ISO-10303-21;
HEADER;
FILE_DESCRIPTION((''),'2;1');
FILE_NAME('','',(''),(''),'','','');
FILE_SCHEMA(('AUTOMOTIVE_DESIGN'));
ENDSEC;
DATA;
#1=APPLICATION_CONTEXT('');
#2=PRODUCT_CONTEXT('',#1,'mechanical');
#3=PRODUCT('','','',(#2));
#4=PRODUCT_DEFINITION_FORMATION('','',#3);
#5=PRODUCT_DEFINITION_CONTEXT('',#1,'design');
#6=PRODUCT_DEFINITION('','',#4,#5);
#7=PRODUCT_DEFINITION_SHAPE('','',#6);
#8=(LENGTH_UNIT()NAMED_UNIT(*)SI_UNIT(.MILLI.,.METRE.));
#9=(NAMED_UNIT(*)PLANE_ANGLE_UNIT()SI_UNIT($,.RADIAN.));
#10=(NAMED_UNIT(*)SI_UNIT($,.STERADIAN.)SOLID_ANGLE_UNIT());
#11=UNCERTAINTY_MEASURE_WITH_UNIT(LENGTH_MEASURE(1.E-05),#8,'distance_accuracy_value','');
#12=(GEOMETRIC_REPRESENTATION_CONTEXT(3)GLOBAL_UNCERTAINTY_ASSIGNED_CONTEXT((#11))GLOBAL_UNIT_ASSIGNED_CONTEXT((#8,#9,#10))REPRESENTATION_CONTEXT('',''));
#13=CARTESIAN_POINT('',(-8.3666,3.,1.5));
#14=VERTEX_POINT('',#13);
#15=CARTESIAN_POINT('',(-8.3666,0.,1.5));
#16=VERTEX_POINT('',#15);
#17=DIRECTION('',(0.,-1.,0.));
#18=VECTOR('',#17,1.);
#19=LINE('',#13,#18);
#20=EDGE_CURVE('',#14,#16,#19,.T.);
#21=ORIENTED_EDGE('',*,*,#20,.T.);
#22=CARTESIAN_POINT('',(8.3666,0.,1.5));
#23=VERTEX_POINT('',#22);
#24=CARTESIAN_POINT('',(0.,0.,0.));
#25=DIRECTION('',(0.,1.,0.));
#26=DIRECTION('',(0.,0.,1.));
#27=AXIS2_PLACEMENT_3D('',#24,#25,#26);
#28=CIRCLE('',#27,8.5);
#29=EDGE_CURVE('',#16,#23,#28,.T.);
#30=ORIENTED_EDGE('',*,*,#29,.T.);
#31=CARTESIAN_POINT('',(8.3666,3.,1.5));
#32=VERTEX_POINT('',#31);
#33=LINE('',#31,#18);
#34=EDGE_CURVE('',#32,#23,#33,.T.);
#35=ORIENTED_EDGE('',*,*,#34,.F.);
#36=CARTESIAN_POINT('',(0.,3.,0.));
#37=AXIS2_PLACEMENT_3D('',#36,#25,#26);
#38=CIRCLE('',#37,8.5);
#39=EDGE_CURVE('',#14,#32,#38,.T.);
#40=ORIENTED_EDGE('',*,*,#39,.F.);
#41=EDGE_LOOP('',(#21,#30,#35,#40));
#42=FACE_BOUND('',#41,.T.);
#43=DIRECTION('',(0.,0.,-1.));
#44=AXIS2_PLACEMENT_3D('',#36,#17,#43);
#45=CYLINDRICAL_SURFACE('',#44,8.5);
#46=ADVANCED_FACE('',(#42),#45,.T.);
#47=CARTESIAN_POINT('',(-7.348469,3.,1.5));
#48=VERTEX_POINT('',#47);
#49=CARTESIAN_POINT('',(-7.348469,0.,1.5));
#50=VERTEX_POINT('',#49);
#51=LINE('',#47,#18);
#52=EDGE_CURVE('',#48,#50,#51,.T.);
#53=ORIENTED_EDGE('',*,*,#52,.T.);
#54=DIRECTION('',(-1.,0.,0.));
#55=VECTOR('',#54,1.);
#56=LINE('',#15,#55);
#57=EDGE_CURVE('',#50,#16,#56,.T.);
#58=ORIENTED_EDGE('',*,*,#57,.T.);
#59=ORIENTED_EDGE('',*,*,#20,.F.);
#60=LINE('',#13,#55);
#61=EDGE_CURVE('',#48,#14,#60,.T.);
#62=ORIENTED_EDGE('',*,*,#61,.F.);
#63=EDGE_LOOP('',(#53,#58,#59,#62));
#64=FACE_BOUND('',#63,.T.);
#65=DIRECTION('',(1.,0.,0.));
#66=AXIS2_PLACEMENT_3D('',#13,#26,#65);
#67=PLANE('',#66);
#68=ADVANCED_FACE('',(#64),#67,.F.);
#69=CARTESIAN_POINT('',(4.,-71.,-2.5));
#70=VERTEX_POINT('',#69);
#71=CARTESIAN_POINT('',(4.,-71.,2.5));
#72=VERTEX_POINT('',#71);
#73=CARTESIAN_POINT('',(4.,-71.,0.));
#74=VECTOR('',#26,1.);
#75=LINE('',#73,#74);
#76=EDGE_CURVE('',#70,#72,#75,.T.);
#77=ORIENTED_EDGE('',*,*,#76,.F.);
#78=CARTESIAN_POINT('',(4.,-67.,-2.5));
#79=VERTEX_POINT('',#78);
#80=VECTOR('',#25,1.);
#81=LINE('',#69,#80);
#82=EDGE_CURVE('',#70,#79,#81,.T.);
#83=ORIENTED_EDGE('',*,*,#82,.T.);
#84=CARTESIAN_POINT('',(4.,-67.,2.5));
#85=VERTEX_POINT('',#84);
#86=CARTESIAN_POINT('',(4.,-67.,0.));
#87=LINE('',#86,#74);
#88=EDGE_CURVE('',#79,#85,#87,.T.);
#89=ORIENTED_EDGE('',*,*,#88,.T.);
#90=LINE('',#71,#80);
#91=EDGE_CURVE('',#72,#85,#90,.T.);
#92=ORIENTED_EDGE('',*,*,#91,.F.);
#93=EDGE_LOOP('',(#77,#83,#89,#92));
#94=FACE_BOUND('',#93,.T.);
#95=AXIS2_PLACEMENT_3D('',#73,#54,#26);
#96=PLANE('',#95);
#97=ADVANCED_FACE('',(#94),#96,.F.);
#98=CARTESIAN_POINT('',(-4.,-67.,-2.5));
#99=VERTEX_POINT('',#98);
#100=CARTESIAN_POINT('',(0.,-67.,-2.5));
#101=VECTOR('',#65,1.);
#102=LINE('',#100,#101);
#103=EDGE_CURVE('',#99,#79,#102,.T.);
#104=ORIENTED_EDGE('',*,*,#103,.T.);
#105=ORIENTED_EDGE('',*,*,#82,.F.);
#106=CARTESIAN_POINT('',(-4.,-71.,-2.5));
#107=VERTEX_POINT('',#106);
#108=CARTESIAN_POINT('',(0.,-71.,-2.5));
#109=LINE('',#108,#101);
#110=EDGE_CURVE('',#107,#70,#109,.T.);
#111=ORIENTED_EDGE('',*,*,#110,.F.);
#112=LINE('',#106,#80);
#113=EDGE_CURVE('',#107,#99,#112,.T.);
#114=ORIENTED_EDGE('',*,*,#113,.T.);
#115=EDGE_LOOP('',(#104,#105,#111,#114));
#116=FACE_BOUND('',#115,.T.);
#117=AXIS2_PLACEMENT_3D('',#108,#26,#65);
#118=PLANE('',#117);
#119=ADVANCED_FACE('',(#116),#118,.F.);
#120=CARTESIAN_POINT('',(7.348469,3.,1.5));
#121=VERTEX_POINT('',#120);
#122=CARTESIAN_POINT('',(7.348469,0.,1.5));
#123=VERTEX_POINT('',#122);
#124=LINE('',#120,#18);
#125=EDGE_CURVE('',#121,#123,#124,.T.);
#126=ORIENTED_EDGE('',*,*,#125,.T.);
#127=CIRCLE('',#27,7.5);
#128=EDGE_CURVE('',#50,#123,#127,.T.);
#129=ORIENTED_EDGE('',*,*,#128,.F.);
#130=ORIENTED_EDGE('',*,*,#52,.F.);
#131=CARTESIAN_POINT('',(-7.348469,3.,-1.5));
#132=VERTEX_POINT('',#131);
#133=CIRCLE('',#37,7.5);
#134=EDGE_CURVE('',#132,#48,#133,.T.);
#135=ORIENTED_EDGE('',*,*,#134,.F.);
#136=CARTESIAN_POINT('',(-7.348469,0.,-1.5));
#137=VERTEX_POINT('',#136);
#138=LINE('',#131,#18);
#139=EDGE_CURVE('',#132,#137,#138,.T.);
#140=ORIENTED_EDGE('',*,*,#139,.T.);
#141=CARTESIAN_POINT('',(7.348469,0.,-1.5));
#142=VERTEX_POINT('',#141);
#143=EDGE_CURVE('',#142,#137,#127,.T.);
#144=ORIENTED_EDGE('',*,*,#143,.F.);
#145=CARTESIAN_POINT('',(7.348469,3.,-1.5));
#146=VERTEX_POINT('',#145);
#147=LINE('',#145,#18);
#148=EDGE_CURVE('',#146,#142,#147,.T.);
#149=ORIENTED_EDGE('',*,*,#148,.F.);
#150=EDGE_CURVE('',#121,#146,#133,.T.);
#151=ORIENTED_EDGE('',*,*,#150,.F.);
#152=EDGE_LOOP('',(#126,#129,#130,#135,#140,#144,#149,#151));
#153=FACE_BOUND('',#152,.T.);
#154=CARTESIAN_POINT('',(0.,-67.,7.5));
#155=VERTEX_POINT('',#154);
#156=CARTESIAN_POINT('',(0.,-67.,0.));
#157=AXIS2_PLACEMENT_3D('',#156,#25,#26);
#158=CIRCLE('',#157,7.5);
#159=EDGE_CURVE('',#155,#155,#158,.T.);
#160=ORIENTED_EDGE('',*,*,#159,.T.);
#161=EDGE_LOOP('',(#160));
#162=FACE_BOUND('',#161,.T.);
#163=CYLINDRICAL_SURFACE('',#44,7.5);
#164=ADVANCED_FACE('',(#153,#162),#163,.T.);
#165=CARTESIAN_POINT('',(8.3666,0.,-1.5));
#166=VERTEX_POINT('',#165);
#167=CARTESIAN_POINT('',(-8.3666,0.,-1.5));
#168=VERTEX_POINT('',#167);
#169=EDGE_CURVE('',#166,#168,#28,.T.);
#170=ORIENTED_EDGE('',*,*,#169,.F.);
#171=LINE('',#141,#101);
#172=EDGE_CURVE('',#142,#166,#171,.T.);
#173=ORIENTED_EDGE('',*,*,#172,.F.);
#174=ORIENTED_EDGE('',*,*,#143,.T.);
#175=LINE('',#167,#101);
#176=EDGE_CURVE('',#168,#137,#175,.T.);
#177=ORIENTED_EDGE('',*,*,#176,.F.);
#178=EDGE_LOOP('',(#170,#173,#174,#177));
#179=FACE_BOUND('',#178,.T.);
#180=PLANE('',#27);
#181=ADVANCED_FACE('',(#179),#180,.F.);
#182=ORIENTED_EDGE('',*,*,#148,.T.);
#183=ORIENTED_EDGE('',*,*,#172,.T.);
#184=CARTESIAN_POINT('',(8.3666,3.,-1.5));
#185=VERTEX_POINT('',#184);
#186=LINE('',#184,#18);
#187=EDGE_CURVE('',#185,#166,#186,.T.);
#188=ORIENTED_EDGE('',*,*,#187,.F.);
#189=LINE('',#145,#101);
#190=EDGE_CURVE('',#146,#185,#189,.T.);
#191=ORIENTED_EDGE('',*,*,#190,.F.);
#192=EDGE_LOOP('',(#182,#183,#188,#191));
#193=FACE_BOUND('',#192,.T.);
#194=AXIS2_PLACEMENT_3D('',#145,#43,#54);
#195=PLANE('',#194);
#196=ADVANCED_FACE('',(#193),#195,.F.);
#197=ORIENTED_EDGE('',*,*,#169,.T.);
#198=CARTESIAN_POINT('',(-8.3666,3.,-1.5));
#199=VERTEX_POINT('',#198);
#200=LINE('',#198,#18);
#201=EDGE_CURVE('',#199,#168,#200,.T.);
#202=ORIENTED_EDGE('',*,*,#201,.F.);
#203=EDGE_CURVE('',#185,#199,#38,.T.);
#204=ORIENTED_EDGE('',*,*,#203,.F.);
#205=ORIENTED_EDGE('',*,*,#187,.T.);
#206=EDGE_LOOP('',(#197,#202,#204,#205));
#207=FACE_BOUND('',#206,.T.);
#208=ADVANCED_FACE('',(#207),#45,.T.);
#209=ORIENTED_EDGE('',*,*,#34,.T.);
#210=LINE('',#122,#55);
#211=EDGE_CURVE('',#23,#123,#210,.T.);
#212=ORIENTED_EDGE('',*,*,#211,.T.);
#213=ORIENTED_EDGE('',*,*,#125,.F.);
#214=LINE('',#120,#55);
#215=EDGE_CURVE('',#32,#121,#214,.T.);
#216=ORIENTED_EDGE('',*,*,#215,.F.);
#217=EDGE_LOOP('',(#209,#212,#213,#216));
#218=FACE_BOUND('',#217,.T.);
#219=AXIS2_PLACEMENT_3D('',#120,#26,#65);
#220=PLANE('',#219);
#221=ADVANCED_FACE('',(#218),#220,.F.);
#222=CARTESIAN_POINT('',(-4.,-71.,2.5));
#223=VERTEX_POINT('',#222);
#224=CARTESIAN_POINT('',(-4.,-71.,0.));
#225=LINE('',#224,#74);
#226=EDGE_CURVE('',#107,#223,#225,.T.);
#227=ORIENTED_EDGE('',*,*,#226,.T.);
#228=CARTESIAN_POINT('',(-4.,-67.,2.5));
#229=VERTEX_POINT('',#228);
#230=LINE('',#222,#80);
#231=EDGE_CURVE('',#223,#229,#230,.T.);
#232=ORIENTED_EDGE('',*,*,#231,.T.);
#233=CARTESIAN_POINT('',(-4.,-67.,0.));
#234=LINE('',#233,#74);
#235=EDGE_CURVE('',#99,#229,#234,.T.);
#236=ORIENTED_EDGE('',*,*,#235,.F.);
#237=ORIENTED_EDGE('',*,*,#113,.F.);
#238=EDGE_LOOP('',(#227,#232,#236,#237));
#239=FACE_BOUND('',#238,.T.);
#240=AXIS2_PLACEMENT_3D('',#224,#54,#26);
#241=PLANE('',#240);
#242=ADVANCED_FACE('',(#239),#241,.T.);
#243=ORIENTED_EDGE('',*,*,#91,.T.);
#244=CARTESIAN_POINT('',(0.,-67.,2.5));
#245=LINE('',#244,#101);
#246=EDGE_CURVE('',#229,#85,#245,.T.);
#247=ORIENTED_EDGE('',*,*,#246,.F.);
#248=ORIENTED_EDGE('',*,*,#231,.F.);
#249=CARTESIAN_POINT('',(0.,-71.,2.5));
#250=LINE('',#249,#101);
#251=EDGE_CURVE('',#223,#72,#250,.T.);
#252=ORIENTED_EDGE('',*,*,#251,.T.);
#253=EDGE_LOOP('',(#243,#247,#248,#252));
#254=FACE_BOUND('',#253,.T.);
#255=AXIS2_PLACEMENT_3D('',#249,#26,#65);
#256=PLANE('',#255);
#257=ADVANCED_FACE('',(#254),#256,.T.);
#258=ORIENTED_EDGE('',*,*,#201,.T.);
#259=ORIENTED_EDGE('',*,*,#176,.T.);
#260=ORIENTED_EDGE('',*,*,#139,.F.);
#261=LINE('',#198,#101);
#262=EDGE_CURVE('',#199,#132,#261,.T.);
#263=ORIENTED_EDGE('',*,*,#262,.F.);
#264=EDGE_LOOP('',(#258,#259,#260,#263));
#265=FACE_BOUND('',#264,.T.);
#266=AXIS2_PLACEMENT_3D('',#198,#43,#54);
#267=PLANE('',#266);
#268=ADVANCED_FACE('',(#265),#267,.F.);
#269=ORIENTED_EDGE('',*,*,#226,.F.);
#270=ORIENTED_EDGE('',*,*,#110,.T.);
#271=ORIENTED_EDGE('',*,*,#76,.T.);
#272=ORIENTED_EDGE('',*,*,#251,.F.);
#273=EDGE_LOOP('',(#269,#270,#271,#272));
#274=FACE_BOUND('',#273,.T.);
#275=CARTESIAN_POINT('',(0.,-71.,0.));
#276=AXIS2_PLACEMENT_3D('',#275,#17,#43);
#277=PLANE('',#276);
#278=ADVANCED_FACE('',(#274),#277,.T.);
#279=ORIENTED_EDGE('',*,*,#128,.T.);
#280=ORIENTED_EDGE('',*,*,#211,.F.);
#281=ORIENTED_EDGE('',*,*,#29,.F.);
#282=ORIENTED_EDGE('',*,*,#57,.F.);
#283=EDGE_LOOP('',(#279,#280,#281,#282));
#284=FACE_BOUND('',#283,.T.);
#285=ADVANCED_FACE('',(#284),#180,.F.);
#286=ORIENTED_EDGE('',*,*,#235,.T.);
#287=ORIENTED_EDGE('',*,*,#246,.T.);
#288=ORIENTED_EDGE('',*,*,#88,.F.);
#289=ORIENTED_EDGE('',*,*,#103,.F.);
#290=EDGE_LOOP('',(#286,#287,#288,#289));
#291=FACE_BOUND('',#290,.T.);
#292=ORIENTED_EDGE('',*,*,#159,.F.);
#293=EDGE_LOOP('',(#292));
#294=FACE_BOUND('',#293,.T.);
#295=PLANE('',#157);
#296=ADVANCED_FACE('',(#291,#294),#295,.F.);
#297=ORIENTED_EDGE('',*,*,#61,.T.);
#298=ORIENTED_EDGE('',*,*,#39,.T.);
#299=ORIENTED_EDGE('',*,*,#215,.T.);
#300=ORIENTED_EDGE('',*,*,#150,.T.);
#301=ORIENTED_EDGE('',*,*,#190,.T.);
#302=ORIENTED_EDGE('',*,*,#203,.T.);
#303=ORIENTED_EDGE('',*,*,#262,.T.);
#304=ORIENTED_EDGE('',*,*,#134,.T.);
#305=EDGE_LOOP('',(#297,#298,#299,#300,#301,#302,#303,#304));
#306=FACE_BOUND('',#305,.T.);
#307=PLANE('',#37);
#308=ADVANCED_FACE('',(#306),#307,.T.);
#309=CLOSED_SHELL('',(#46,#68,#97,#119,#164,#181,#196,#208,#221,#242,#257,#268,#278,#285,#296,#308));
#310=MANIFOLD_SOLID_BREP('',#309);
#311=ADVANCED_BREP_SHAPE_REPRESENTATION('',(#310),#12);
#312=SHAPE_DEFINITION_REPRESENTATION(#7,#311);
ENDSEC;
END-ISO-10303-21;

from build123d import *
from build123d.topology import SkipClean

# Parameters (mm, degrees)
BOSS_EXTRUDE1_DEPTH     = 3
BOSS_EXTRUDE2_START     = -67
SKETCH2_R               = 7.5
BOSS_EXTRUDE2_DEPTH     = 67
SKETCH4_W               = 8
SKETCH4_H               = 5
BOSS_EXTRUDE4_DEPTH     = 4
CUT_EXTRUDE1_DEPTH      = 72.994791478
CUT_EXTRUDE1_DEPTH_BACK = 72.994791478
SKETCH6_R               = 7.5
BOSS_EXTRUDE5_DEPTH     = 30


with BuildPart() as part:
    # Sketch1 → Boss-Extrude1 (new body)
    with BuildSketch(Plane(origin=(0, 0, 0), x_dir=(1, 0, 0), z_dir=(0, 1, 0))):
        with BuildLine():
            Line((-8.366600265, 1.5), (-7.348469228, 1.5))
            ThreePointArc((-7.348469228, 1.5), (-7.5, 0), (-7.348469228, -1.5))
            Line((-7.348469228, -1.5), (-8.366600265, -1.5))
            ThreePointArc((-8.366600265, -1.5), (0, -8.5), (8.366600265, -1.5))
            Line((8.366600265, -1.5), (7.348469228, -1.5))
            ThreePointArc((7.348469228, -1.5), (7.5, 0), (7.348469228, 1.5))
            Line((7.348469228, 1.5), (8.366600265, 1.5))
            ThreePointArc((8.366600265, 1.5), (0, 8.5), (-8.366600265, 1.5))
        make_face()
    extrude(amount=BOSS_EXTRUDE1_DEPTH)

    # Sketch2 → Boss-Extrude2 (add)
    with BuildSketch(Plane(origin=(0, 0, 0), x_dir=(1, 0, 0), z_dir=(0, 1, 0)).offset(BOSS_EXTRUDE2_START)):
        with Locations(Location((0, 0, 0), (0, 0, 168.463040967))):
            Circle(SKETCH2_R)
    extrude(amount=BOSS_EXTRUDE2_DEPTH)

    # Sketch4 → Boss-Extrude4 (add)
    with BuildSketch(Plane.XZ.offset(67)):
        Rectangle(SKETCH4_W, SKETCH4_H)
    extrude(amount=BOSS_EXTRUDE4_DEPTH)

    # Sketch5 → Cut-Extrude1 (cut, two sides: drawn at the far end of the back side and taken through both)
    with BuildSketch(Plane(origin=(0, 0, 0), x_dir=(0, 0, -1), z_dir=(1, 0, 0)).offset(-CUT_EXTRUDE1_DEPTH_BACK)):
        Polygon((-7.5, -51), (-3.5, -45), (-3.5, -44), (-7.5, -44), align=None)
        Polygon((7.5, -62), (3.5, -62), (3.5, -61), (7.5, -56), align=None)
    extrude(amount=CUT_EXTRUDE1_DEPTH + CUT_EXTRUDE1_DEPTH_BACK, mode=Mode.SUBTRACT)

    # Sketch6 → Boss-Extrude5 (add)
    with SkipClean():  # the faces are left unmerged after this step: merging them gives an invalid solid
        with BuildSketch(Plane(origin=(0, -67, 0), x_dir=(-1, 0, 0), z_dir=(0, -1, 0))):
            with Locations(Location((0, 0, 0), (0, 0, 11.536959033))):
                Circle(SKETCH6_R)
        extrude(amount=-BOSS_EXTRUDE5_DEPTH)


solid = part.part
